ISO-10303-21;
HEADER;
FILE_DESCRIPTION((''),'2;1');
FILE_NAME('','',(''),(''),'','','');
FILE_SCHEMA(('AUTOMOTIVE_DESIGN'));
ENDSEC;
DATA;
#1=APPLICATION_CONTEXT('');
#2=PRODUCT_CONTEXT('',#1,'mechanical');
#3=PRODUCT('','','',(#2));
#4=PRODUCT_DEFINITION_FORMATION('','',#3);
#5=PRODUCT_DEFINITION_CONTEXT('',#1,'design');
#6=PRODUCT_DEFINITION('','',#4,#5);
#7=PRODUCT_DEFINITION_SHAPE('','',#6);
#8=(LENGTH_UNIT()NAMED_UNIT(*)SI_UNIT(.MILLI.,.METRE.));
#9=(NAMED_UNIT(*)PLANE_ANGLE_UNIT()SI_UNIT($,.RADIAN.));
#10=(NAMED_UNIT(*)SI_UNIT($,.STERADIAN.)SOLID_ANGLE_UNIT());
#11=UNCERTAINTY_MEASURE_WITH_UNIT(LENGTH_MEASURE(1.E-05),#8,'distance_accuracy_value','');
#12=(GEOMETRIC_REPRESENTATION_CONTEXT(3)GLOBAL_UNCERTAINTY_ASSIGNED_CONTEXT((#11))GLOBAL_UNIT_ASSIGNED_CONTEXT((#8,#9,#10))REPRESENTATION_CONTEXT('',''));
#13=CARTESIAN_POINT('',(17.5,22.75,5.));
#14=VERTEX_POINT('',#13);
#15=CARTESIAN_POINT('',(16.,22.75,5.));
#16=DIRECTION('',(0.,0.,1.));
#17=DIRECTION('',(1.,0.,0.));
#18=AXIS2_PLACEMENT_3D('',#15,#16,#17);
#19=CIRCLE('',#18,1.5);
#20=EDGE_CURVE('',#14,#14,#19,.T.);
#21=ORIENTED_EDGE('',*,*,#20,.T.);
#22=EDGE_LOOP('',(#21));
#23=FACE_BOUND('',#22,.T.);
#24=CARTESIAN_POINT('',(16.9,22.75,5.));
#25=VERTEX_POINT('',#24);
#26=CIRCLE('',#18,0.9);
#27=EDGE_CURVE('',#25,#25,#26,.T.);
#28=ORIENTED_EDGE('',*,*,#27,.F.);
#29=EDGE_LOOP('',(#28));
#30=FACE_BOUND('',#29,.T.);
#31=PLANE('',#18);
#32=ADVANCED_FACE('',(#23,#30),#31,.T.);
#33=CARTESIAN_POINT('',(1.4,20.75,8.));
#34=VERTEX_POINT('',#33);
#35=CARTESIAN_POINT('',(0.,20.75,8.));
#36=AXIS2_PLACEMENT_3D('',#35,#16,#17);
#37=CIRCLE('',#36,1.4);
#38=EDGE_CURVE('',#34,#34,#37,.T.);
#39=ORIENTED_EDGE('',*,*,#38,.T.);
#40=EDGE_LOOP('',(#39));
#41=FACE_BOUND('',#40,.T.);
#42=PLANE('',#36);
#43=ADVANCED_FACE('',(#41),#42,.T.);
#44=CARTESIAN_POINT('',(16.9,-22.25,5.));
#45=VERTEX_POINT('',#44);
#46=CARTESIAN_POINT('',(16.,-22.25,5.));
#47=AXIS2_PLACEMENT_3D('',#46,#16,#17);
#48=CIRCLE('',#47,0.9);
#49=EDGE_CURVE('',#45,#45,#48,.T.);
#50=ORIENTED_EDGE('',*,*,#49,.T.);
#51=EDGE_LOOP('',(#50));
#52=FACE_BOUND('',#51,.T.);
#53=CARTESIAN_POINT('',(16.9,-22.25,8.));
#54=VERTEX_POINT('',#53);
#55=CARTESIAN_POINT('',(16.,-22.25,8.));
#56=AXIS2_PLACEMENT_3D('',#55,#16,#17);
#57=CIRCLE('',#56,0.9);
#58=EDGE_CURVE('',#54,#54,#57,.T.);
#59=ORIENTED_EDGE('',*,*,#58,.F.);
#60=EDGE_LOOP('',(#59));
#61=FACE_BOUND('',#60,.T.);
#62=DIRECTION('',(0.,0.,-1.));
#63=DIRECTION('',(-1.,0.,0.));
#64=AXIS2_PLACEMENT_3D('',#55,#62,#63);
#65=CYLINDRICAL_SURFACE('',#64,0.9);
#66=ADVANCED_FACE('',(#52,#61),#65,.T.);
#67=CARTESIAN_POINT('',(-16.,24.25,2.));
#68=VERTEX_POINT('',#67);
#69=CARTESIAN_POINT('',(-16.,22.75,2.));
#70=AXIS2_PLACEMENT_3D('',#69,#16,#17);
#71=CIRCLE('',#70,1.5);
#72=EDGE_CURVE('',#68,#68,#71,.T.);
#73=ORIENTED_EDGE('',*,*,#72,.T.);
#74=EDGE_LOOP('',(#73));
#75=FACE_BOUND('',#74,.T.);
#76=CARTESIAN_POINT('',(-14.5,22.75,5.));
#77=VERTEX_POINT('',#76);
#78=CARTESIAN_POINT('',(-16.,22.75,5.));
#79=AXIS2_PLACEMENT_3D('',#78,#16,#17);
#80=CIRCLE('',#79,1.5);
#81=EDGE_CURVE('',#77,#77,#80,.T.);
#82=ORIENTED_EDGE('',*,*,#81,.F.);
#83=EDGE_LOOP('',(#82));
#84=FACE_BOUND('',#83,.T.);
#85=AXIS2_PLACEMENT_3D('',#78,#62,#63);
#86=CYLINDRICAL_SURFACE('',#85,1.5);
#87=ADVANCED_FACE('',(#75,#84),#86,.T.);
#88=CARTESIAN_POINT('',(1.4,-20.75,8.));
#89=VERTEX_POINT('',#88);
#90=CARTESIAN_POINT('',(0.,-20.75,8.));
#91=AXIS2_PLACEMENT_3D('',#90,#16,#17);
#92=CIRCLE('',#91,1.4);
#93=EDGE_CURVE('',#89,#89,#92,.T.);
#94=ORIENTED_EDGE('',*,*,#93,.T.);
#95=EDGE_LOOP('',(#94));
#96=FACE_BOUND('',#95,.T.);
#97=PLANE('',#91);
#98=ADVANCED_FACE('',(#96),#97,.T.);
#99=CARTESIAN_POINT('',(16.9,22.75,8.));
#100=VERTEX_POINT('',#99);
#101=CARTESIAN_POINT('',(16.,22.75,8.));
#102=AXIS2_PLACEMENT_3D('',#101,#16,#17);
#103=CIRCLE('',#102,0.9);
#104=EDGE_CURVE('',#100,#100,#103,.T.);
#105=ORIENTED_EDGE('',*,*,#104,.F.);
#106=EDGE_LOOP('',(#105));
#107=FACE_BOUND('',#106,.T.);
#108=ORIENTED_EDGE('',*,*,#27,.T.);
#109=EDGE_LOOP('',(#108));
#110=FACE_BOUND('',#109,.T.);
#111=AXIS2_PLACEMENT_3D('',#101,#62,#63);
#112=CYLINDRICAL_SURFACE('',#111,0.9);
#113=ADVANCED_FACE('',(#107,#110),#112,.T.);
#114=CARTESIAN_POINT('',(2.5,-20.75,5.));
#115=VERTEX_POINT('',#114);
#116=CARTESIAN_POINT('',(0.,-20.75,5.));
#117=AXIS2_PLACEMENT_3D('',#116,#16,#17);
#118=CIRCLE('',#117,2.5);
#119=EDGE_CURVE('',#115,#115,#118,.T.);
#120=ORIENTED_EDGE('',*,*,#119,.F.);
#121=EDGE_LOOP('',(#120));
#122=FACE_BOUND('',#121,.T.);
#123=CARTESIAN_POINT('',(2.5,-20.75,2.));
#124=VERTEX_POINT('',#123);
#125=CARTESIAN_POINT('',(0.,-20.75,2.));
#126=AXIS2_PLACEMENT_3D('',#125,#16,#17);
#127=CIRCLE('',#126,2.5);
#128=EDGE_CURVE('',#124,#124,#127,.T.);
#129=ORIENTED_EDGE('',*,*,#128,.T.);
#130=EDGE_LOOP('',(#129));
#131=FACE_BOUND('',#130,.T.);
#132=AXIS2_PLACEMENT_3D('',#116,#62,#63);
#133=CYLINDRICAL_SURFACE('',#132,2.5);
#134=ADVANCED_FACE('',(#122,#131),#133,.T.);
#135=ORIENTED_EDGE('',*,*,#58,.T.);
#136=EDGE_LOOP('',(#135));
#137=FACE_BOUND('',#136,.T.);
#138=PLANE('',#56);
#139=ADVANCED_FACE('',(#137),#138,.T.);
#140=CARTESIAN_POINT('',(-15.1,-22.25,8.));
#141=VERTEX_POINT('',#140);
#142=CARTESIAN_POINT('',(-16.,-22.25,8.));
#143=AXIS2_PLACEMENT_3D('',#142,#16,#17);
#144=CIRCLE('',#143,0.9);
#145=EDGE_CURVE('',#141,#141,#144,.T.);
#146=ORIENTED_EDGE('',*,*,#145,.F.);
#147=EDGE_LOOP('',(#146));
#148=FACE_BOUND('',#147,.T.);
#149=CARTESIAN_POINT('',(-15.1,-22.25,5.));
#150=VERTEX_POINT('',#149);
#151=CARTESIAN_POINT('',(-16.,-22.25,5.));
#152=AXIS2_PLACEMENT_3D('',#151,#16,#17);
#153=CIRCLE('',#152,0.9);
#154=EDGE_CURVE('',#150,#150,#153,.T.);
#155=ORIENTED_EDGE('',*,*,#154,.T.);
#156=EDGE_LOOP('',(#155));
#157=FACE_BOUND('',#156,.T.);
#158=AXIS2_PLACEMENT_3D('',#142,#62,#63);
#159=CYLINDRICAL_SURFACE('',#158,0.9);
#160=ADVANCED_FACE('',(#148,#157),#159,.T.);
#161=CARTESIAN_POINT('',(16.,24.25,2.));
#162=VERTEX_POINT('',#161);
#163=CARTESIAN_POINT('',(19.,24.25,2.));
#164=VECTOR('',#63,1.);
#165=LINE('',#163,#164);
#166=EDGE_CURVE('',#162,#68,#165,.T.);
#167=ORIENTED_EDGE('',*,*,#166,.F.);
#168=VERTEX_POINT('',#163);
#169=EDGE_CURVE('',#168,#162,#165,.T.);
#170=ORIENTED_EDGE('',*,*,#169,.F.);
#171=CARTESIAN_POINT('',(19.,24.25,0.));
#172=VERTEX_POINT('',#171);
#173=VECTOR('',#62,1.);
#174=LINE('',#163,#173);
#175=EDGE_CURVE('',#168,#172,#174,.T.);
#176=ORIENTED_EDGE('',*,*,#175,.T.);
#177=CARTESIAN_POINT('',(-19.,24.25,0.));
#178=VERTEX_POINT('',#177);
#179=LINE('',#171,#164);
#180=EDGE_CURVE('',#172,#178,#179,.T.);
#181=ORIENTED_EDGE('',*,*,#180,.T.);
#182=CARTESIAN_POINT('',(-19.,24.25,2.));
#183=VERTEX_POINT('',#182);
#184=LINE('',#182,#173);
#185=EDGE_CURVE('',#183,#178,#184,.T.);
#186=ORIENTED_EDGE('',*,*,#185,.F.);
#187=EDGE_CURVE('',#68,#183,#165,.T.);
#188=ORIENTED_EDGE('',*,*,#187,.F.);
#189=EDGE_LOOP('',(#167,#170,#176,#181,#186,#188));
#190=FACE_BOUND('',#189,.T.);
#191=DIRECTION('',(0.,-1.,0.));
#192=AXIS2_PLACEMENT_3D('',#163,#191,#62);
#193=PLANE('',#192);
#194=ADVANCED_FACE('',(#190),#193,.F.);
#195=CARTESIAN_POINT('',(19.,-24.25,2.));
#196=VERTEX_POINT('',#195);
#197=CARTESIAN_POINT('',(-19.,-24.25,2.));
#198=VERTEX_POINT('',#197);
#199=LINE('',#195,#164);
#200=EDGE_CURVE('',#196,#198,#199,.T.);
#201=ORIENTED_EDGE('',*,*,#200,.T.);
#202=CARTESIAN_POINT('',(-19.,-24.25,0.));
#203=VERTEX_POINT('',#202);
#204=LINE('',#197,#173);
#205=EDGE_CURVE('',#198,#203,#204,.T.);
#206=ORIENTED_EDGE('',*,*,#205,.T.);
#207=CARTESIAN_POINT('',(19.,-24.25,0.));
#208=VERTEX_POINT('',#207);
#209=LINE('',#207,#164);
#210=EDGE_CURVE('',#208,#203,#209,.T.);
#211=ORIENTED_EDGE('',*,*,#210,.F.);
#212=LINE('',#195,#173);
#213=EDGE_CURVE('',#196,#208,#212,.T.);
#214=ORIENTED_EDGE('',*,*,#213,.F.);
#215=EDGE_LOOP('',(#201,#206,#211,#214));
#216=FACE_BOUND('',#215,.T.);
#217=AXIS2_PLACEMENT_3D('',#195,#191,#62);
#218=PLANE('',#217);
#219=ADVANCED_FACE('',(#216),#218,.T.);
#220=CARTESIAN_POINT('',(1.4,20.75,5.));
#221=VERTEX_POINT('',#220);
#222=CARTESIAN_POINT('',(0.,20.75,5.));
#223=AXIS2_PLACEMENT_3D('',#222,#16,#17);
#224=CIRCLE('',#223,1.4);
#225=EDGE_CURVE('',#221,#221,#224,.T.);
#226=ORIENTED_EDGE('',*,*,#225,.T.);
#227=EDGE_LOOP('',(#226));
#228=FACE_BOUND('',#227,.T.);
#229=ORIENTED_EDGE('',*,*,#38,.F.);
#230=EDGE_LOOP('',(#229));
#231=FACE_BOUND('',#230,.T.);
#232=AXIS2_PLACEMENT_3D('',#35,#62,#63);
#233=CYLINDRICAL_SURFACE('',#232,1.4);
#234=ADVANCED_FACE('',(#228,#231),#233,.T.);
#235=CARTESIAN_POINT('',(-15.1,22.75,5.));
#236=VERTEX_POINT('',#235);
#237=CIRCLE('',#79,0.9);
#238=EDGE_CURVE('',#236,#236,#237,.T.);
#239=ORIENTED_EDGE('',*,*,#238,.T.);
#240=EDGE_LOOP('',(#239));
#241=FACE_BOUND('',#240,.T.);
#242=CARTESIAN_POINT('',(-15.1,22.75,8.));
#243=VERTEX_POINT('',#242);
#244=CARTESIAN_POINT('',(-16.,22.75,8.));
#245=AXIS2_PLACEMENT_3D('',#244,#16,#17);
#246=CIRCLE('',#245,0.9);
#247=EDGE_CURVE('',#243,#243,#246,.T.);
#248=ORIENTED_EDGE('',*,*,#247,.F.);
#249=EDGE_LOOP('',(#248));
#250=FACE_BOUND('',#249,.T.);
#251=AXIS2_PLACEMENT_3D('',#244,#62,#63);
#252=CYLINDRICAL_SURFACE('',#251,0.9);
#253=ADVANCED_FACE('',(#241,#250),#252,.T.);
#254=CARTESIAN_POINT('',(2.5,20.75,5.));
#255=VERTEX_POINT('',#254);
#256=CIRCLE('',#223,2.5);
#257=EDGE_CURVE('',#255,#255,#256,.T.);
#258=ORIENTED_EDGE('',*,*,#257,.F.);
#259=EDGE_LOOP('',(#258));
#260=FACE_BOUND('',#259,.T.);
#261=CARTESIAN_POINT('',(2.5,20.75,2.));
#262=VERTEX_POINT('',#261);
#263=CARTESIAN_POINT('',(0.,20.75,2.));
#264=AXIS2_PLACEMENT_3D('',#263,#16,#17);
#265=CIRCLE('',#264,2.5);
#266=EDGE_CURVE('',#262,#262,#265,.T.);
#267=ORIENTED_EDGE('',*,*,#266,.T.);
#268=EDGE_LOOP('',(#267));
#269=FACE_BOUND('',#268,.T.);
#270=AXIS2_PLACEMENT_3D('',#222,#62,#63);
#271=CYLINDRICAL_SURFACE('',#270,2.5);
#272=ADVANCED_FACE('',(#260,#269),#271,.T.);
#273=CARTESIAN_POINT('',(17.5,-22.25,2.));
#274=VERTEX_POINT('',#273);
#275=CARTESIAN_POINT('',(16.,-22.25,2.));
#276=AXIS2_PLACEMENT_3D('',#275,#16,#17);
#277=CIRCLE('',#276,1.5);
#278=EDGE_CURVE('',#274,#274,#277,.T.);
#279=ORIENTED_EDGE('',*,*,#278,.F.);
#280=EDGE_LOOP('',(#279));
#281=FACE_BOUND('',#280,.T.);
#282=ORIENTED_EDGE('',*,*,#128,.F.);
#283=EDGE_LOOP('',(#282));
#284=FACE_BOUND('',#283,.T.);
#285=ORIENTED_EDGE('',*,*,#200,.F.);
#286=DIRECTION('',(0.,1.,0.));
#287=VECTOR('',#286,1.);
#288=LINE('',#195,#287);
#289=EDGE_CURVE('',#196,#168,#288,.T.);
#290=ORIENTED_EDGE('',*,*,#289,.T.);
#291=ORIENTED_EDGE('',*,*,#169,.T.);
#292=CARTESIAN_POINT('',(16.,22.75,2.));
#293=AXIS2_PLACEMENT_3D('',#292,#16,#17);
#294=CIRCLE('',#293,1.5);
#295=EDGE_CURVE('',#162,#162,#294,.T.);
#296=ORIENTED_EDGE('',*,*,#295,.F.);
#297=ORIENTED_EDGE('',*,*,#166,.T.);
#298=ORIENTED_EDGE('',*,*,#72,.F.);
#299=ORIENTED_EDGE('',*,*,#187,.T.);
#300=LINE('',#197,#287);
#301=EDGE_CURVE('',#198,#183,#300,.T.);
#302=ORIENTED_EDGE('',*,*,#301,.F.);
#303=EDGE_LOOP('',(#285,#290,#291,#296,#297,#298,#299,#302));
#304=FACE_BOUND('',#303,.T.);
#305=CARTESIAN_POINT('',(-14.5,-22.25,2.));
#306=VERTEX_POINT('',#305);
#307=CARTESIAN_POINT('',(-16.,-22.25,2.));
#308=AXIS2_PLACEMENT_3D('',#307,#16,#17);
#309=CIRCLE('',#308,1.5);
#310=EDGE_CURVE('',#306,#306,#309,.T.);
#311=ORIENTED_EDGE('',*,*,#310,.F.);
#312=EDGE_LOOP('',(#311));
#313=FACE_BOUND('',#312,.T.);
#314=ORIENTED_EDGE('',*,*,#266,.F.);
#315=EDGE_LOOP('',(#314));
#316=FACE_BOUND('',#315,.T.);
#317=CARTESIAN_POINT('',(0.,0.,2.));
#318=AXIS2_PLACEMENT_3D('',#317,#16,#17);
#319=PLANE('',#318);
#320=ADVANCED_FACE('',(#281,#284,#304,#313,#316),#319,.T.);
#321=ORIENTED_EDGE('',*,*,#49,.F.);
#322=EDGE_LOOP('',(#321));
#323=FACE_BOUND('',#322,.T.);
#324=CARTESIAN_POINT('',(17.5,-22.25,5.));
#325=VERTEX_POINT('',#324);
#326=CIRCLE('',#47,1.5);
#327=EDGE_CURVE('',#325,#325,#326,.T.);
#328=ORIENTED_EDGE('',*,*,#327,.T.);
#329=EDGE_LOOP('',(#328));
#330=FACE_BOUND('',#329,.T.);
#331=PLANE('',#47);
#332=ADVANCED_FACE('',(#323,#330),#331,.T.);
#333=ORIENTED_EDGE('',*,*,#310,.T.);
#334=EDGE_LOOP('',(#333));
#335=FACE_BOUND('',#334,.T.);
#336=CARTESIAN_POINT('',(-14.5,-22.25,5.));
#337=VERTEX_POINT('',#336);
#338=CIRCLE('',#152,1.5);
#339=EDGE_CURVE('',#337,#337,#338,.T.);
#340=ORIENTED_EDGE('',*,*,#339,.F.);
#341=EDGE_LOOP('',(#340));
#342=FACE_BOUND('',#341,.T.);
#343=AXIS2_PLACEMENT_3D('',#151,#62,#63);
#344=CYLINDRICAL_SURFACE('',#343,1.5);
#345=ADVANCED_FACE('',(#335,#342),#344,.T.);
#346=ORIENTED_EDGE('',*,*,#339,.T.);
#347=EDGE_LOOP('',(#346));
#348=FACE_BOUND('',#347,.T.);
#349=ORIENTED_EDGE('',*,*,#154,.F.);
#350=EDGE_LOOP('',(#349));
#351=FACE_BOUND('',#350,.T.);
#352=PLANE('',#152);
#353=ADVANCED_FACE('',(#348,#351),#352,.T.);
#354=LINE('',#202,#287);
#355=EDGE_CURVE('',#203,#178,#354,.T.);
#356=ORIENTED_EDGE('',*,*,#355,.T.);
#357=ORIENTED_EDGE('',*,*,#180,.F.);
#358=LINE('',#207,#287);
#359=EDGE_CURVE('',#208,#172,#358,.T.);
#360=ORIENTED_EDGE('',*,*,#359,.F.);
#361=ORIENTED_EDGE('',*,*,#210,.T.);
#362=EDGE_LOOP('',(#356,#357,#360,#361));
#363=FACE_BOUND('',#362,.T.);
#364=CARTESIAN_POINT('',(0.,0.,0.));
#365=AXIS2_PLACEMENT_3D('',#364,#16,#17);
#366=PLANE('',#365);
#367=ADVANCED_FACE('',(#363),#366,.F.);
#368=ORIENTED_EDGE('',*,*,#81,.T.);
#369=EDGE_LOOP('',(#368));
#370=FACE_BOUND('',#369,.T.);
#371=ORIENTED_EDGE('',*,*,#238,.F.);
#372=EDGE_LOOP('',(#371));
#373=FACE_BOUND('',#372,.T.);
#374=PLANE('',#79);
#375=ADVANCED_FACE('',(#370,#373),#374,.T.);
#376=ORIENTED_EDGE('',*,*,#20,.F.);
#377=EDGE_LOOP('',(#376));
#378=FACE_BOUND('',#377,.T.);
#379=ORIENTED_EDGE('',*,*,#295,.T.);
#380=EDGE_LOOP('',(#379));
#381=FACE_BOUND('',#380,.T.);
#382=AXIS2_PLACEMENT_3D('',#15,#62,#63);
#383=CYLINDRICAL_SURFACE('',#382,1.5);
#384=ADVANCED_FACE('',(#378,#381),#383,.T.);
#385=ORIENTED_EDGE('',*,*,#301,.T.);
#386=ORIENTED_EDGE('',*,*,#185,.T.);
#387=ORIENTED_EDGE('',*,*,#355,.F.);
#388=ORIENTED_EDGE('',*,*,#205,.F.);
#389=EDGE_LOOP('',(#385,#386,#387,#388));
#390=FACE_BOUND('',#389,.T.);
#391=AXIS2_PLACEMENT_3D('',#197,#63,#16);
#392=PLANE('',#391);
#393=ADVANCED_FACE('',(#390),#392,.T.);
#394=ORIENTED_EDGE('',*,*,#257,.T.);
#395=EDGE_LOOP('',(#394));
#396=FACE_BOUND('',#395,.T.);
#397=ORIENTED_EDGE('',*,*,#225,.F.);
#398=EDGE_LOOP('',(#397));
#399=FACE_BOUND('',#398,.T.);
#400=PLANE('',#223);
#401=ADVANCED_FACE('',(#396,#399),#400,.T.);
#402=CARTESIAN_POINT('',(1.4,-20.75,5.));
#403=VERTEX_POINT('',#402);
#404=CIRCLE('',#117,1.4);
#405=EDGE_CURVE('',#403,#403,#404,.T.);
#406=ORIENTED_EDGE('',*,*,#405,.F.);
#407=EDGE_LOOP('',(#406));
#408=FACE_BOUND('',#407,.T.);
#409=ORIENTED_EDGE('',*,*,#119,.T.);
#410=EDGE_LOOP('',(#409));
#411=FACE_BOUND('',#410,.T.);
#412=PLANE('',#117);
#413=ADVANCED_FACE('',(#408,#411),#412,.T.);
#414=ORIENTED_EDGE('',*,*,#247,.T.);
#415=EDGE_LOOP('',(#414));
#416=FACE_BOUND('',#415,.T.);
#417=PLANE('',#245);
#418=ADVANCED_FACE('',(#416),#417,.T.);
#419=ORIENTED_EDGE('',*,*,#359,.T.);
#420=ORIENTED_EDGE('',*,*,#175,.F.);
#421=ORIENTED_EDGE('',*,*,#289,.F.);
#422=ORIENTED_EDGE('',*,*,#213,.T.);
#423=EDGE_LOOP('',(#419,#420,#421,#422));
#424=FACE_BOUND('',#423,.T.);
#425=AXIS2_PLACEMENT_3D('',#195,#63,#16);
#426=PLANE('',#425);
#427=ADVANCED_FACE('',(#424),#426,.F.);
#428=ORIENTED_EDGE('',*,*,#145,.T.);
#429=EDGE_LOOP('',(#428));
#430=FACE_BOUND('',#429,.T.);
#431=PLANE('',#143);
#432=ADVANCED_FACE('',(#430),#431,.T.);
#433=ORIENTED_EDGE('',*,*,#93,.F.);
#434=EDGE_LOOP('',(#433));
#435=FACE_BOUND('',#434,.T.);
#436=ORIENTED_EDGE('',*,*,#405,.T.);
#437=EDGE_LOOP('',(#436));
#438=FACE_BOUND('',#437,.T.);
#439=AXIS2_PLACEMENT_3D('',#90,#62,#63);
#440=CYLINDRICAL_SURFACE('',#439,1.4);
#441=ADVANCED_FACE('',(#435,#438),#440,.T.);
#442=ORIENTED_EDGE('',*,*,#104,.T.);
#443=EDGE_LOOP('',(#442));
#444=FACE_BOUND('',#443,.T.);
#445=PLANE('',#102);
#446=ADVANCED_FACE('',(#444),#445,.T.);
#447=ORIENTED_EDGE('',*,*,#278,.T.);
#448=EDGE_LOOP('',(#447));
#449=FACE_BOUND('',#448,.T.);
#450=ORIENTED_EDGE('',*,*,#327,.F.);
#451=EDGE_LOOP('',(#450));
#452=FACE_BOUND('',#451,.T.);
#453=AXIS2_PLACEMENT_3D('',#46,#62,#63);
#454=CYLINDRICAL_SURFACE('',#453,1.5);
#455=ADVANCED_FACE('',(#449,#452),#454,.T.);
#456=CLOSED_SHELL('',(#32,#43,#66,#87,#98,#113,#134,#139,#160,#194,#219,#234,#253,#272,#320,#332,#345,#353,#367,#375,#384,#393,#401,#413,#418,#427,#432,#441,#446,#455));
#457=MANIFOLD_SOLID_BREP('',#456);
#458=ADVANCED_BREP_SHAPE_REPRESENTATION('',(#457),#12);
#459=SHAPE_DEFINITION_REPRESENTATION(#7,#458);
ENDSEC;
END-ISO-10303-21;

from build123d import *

# Parameters (mm, degrees)
SKIZZE1_W                       = 48.5
SKIZZE1_H                       = 38
AUFSATZ_LINEAR_AUSTRAGEN1_DEPTH = 2
SKIZZE2_R                       = 1.5
SKIZZE2_R_2                     = 2.5
AUFSATZ_LINEAR_AUSTRAGEN2_DEPTH = 3
SKIZZE3_R                       = 1.4
SKIZZE3_R_2                     = 0.9
AUFSATZ_LINEAR_AUSTRAGEN3_DEPTH = 3


with BuildPart() as part:
    # Skizze1 → Aufsatz-Linear austragen1 (new body)
    with BuildSketch(Plane(origin=(0, 0, 0), x_dir=(0, 1, 0), z_dir=(0, 0, 1))):
        Rectangle(SKIZZE1_W, SKIZZE1_H)
    extrude(amount=AUFSATZ_LINEAR_AUSTRAGEN1_DEPTH)

    # Skizze2 → Aufsatz-Linear austragen2 (add)
    with BuildSketch(Plane.XY.offset(2)):
        with Locations((-16, -22.25)):
            Circle(SKIZZE2_R)
        with Locations((16, -22.25)):
            Circle(SKIZZE2_R)
        with Locations(Location((16, 22.75, 0), (0, 0, 90))):
            Circle(SKIZZE2_R)
        with Locations(Location((-16, 22.75, 0), (0, 0, 90))):
            Circle(SKIZZE2_R)
        with Locations((0, 20.75)):
            Circle(SKIZZE2_R_2)
        with Locations((0, -20.75)):
            Circle(SKIZZE2_R_2)
    extrude(amount=AUFSATZ_LINEAR_AUSTRAGEN2_DEPTH)

    # Skizze3 → Aufsatz-Linear austragen3 (add)
    with BuildSketch(Plane.XY.offset(5)):
        with Locations((0, 20.75)):
            Circle(SKIZZE3_R)
        with Locations((16, 22.75)):
            Circle(SKIZZE3_R_2)
        with Locations((-16, 22.75)):
            Circle(SKIZZE3_R_2)
        with Locations((0, -20.75)):
            Circle(SKIZZE3_R)
        with Locations((-16, -22.25)):
            Circle(SKIZZE3_R_2)
        with Locations((16, -22.25)):
            Circle(SKIZZE3_R_2)
    extrude(amount=AUFSATZ_LINEAR_AUSTRAGEN3_DEPTH)


solid = part.part
